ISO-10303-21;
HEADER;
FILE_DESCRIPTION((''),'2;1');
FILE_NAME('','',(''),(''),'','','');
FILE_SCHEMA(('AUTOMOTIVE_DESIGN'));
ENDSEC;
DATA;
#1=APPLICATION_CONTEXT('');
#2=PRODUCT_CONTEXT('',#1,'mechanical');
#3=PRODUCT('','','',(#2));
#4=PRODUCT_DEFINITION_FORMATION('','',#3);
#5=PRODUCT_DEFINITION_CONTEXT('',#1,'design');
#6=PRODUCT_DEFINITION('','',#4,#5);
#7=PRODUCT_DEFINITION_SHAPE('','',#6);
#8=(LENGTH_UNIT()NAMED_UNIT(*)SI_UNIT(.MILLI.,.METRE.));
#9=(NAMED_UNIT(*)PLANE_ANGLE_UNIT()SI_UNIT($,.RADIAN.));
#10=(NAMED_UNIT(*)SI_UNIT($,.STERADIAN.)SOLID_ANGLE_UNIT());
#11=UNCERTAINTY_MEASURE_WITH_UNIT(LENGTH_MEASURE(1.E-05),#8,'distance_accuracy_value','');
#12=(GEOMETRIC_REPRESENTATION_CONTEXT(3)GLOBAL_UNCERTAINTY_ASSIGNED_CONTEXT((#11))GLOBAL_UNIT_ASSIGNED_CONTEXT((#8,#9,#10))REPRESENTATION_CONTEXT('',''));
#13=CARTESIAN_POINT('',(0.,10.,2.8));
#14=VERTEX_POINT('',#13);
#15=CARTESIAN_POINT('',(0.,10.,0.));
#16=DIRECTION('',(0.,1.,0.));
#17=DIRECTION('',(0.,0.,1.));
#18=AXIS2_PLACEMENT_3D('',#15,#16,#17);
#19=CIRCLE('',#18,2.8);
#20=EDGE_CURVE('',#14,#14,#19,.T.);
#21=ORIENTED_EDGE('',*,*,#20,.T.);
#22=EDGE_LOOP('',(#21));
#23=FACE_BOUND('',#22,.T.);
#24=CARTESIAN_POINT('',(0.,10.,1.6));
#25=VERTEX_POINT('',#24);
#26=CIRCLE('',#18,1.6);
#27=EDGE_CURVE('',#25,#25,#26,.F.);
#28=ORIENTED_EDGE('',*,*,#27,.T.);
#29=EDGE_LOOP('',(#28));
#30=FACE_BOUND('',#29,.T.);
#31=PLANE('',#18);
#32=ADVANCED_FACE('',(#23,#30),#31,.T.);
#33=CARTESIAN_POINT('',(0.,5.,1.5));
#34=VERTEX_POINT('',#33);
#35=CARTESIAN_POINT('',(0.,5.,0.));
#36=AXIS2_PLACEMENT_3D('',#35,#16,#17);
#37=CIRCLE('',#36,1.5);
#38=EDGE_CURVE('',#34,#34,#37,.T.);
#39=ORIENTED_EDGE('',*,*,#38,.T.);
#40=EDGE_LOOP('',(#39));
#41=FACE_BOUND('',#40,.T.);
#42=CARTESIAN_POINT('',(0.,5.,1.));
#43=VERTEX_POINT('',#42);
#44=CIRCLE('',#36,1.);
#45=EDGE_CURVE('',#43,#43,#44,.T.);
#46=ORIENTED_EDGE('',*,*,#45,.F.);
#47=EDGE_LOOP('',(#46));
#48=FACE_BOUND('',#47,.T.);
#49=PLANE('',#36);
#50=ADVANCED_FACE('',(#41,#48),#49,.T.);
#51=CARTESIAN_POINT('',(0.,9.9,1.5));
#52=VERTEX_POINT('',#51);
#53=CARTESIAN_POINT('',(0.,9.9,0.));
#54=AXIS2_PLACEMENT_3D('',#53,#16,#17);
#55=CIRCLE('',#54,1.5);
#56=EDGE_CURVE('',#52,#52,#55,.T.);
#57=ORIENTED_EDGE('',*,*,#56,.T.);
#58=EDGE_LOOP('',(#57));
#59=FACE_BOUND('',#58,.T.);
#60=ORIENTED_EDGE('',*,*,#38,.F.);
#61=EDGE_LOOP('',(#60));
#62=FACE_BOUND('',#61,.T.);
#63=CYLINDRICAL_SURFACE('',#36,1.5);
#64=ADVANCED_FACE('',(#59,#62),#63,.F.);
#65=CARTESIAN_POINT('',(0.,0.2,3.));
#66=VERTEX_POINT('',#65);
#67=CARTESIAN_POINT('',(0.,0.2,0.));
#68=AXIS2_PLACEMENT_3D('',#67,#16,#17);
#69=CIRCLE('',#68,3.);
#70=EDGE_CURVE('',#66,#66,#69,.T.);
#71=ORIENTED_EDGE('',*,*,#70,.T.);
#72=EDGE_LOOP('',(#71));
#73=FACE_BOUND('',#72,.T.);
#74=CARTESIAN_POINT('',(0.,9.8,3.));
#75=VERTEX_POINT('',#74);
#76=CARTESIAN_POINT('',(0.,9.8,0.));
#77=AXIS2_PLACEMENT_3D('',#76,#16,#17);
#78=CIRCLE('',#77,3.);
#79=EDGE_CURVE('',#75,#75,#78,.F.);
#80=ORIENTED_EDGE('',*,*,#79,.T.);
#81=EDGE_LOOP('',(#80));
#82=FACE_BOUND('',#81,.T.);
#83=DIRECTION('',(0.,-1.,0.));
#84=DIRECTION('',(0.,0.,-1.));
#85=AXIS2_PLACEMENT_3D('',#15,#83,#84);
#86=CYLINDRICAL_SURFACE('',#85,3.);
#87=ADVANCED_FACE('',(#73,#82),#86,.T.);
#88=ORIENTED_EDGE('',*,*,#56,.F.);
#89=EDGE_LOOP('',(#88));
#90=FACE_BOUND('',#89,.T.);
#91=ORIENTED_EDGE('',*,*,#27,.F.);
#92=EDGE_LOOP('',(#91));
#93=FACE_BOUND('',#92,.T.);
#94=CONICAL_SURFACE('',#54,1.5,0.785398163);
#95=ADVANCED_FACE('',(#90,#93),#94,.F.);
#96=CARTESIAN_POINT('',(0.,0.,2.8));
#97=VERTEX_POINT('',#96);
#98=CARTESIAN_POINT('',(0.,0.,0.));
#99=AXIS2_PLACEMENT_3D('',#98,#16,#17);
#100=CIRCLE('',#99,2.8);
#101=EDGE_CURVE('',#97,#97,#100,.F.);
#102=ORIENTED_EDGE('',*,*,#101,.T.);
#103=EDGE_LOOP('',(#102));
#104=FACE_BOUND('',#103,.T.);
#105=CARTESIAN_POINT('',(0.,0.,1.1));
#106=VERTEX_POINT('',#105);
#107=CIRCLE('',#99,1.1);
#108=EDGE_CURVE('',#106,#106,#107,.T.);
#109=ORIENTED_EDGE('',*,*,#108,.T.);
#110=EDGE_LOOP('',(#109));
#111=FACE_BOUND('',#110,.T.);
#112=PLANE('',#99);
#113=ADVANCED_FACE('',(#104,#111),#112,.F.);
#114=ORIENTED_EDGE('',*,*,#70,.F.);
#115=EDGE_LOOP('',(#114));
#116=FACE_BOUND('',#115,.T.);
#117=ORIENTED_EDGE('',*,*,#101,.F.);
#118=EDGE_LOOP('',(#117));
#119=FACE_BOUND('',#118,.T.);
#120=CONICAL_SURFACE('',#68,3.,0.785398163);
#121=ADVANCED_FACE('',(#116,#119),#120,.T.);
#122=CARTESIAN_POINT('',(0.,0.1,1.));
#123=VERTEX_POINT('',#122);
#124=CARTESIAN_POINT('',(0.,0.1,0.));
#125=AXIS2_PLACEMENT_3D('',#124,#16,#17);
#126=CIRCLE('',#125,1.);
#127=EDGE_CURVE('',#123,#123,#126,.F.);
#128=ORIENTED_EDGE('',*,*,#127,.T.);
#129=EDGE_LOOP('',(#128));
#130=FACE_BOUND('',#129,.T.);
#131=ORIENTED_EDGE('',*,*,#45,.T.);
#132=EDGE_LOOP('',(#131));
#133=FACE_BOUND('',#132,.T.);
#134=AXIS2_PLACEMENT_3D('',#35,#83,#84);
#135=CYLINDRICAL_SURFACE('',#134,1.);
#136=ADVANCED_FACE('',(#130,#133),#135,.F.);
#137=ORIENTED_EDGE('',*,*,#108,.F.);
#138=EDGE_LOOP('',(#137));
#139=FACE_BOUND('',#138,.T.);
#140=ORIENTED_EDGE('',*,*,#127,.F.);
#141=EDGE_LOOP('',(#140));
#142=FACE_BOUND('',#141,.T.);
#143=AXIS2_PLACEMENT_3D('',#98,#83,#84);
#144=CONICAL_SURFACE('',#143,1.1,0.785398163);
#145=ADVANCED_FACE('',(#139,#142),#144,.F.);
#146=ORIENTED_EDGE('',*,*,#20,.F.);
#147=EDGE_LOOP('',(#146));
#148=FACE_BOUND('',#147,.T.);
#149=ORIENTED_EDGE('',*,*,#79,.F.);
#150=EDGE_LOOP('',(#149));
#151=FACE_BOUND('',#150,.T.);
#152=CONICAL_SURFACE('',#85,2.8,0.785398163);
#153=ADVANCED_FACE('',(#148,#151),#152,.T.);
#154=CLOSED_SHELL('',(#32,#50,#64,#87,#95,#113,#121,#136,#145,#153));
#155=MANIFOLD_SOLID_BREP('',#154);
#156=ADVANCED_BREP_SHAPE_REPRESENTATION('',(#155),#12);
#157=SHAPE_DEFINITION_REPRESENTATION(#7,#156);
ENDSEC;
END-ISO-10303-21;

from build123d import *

# Parameters (mm, degrees)
SKETCH_1_R          = 3
EXTRUDE_1_DEPTH     = 10
SKETCH_2_R          = 1
CUT_EXTRUDE_1_DEPTH = 5
CUT_EXTRUDE_START   = 10
SKETCH_3_R          = 1.5
CUT_EXTRUDE_2_DEPTH = 5
CHAMFER_1_SIZE      = 0.2
CHAMFER_2_SIZE      = 0.1


with BuildPart() as part:
    # 草图1 → 凸台-拉伸1 (new body)
    with BuildSketch(Plane(origin=(0, 0, 0), x_dir=(1, 0, 0), z_dir=(0, 1, 0))):
        with Locations(Location((0, 0, 0), (0, 0, 270))):
            Circle(SKETCH_1_R)
    extrude(amount=EXTRUDE_1_DEPTH)

    # 草图2 → 切除-拉伸1 (cut)
    with BuildSketch(Plane(origin=(0, 0, 0), x_dir=(1, 0, 0), z_dir=(0, 1, 0))):
        with Locations(Location((0, 0, 0), (0, 0, 270))):
            Circle(SKETCH_2_R)
    extrude(amount=CUT_EXTRUDE_1_DEPTH, mode=Mode.SUBTRACT)

    # 草图3 → 切除-拉伸2 (cut)
    with BuildSketch(Plane(origin=(0, 0, 0), x_dir=(1, 0, 0), z_dir=(0, 1, 0)).offset(CUT_EXTRUDE_START)):
        with Locations(Location((0, 0, 0), (0, 0, 270))):
            Circle(SKETCH_3_R)
    extrude(amount=-CUT_EXTRUDE_2_DEPTH, mode=Mode.SUBTRACT)

    # 倒角1
    chamfer_1_edges = [part.edges().sort_by_distance(p)[0] for p in [
        (0, 0, -3),
        (0, 10, -3),
    ]]
    chamfer(chamfer_1_edges, length=CHAMFER_1_SIZE)

    # 倒角2
    chamfer_2_edges = [part.edges().sort_by_distance(p)[0] for p in [
        (0, 10, -1.5),
        (0, 0, -1),
    ]]
    chamfer(chamfer_2_edges, length=CHAMFER_2_SIZE)


solid = part.part
